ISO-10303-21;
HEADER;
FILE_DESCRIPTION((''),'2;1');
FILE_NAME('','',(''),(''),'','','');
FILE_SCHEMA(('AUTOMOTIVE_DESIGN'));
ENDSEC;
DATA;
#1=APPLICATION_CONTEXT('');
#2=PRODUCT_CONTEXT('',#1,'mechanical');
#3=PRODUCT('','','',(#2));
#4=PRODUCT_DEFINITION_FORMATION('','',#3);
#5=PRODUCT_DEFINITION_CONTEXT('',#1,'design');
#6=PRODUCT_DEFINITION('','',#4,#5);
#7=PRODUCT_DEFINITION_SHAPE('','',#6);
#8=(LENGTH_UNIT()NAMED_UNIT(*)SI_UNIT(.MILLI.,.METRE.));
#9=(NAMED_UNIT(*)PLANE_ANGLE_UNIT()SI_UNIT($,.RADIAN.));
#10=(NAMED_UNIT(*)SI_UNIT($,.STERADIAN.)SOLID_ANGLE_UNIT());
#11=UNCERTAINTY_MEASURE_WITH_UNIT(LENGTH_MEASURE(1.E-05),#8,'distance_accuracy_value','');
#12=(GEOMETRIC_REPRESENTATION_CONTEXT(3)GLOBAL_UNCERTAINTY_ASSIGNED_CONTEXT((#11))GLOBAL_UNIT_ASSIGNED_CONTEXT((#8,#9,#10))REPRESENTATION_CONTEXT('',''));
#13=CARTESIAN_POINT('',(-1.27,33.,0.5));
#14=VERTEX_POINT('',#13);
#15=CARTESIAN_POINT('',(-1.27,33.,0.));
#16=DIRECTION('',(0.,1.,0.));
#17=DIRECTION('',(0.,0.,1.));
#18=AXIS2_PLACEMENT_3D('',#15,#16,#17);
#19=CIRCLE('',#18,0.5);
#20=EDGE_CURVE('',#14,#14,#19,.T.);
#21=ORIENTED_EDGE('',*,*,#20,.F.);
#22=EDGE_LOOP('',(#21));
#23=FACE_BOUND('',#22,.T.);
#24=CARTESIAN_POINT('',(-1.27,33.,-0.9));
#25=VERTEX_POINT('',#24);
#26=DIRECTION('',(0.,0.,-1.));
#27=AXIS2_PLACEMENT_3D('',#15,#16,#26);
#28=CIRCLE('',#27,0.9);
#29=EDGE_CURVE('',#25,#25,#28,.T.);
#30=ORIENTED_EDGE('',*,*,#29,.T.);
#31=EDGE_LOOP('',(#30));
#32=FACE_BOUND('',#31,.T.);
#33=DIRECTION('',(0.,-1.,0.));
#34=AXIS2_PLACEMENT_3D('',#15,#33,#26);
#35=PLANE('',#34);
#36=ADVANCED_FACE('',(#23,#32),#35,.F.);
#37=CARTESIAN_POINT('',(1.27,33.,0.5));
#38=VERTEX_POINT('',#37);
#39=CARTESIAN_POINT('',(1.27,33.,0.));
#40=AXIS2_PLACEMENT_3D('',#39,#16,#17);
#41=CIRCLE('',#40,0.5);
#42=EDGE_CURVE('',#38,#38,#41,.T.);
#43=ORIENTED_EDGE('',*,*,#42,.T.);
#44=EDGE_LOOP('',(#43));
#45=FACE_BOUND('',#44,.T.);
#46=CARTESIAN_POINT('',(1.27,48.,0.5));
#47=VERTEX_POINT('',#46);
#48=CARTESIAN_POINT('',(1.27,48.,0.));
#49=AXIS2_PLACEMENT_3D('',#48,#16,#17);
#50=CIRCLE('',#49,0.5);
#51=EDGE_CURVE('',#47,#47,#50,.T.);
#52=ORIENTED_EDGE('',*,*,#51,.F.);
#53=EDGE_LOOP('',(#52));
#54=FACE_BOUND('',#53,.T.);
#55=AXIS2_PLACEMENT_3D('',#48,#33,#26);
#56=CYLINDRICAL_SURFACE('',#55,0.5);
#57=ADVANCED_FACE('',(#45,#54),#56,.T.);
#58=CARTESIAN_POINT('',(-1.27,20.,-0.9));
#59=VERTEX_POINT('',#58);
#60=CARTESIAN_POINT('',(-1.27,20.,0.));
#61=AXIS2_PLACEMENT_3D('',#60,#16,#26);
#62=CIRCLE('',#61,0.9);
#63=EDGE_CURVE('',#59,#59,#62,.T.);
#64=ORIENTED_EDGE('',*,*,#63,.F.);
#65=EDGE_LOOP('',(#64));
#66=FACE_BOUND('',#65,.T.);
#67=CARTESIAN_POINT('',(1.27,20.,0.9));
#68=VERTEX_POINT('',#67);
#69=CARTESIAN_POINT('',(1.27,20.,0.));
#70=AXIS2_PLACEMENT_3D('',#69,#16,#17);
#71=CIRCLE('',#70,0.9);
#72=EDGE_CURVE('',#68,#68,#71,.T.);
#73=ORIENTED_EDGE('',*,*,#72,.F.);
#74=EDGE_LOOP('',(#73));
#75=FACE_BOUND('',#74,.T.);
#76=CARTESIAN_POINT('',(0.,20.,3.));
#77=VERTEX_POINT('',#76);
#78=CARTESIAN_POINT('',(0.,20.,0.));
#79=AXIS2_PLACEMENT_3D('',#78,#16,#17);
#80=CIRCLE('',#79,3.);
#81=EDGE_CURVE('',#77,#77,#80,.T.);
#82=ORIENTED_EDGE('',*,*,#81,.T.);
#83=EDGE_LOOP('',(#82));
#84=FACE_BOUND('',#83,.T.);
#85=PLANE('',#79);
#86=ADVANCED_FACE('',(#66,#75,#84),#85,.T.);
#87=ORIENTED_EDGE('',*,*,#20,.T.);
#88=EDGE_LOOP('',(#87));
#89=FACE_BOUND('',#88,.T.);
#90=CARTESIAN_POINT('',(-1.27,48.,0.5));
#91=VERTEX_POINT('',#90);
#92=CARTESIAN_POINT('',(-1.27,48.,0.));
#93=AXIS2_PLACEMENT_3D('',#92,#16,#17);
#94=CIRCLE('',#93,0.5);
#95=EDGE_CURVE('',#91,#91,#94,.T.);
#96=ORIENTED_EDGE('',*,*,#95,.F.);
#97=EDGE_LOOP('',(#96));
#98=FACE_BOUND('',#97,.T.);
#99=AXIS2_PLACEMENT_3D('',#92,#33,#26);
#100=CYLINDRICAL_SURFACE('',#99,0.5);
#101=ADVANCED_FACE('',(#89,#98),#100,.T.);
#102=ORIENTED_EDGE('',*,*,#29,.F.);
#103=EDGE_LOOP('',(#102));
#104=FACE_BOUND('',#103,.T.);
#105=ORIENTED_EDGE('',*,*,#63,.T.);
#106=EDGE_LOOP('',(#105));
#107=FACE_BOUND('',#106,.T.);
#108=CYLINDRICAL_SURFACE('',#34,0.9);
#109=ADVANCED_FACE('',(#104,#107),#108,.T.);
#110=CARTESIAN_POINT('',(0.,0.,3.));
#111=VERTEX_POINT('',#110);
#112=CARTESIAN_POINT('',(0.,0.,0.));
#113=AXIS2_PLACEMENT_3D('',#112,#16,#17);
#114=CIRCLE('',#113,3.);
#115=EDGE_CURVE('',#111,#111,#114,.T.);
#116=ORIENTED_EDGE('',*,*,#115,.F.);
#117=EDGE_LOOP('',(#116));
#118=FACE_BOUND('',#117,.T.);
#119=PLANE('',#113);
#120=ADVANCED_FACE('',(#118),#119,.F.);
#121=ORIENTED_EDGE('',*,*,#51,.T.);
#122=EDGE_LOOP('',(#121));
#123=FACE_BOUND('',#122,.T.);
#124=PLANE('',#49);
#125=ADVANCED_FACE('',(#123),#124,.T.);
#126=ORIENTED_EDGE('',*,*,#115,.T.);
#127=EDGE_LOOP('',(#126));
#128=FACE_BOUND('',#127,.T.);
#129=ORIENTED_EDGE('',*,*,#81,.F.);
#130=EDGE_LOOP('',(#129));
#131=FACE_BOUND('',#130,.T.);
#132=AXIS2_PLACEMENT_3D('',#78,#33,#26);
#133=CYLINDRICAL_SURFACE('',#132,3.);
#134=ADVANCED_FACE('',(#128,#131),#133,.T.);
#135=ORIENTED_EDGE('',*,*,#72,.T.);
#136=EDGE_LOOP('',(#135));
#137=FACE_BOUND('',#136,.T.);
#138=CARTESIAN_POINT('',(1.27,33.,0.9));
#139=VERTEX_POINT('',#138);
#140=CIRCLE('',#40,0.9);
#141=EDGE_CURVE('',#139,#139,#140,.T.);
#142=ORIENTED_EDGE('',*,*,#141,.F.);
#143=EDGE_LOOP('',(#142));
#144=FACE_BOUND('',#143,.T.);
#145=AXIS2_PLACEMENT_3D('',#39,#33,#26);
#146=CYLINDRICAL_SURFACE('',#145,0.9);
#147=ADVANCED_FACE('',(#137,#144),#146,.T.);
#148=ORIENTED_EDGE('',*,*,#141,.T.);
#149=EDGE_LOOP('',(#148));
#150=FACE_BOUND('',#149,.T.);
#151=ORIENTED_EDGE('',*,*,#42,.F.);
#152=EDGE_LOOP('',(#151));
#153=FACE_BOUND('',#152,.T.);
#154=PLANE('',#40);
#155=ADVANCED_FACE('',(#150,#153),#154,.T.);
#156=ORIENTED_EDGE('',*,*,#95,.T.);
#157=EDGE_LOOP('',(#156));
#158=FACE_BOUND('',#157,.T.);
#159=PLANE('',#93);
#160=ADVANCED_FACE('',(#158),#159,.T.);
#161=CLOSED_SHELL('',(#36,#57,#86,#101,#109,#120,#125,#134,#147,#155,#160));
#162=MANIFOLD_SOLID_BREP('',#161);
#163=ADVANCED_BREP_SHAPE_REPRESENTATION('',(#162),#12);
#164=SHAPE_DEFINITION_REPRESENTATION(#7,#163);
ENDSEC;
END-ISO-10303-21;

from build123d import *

# Parameters (mm, degrees)
SKETCH1_R           = 3
BOSS_EXTRUDE1_DEPTH = 20
SKETCH2_R           = 0.9
BOSS_EXTRUDE2_DEPTH = 13
SKETCH3_R           = 0.5
BOSS_EXTRUDE3_DEPTH = 15


with BuildPart() as part:
    # Sketch1 → Boss-Extrude1 (new body)
    with BuildSketch(Plane(origin=(0, 0, 0), x_dir=(1, 0, 0), z_dir=(0, 1, 0))):
        Circle(SKETCH1_R)
    extrude(amount=BOSS_EXTRUDE1_DEPTH)

    # Sketch2 → Boss-Extrude2 (add)
    with BuildSketch(Plane(origin=(0, 20, 0), x_dir=(1, 0, 0), z_dir=(0, 1, 0))):
        with Locations((1.27, 0)):
            Circle(SKETCH2_R)
        with Locations((-1.27, 0)):
            Circle(SKETCH2_R)
    extrude(amount=BOSS_EXTRUDE2_DEPTH)

    # Sketch3 → Boss-Extrude3 (add)
    with BuildSketch(Plane(origin=(0, 33, 0), x_dir=(1, 0, 0), z_dir=(0, 1, 0))):
        with Locations((1.27, 0)):
            Circle(SKETCH3_R)
        with Locations((-1.27, 0)):
            Circle(SKETCH3_R)
    extrude(amount=BOSS_EXTRUDE3_DEPTH)


solid = part.part
